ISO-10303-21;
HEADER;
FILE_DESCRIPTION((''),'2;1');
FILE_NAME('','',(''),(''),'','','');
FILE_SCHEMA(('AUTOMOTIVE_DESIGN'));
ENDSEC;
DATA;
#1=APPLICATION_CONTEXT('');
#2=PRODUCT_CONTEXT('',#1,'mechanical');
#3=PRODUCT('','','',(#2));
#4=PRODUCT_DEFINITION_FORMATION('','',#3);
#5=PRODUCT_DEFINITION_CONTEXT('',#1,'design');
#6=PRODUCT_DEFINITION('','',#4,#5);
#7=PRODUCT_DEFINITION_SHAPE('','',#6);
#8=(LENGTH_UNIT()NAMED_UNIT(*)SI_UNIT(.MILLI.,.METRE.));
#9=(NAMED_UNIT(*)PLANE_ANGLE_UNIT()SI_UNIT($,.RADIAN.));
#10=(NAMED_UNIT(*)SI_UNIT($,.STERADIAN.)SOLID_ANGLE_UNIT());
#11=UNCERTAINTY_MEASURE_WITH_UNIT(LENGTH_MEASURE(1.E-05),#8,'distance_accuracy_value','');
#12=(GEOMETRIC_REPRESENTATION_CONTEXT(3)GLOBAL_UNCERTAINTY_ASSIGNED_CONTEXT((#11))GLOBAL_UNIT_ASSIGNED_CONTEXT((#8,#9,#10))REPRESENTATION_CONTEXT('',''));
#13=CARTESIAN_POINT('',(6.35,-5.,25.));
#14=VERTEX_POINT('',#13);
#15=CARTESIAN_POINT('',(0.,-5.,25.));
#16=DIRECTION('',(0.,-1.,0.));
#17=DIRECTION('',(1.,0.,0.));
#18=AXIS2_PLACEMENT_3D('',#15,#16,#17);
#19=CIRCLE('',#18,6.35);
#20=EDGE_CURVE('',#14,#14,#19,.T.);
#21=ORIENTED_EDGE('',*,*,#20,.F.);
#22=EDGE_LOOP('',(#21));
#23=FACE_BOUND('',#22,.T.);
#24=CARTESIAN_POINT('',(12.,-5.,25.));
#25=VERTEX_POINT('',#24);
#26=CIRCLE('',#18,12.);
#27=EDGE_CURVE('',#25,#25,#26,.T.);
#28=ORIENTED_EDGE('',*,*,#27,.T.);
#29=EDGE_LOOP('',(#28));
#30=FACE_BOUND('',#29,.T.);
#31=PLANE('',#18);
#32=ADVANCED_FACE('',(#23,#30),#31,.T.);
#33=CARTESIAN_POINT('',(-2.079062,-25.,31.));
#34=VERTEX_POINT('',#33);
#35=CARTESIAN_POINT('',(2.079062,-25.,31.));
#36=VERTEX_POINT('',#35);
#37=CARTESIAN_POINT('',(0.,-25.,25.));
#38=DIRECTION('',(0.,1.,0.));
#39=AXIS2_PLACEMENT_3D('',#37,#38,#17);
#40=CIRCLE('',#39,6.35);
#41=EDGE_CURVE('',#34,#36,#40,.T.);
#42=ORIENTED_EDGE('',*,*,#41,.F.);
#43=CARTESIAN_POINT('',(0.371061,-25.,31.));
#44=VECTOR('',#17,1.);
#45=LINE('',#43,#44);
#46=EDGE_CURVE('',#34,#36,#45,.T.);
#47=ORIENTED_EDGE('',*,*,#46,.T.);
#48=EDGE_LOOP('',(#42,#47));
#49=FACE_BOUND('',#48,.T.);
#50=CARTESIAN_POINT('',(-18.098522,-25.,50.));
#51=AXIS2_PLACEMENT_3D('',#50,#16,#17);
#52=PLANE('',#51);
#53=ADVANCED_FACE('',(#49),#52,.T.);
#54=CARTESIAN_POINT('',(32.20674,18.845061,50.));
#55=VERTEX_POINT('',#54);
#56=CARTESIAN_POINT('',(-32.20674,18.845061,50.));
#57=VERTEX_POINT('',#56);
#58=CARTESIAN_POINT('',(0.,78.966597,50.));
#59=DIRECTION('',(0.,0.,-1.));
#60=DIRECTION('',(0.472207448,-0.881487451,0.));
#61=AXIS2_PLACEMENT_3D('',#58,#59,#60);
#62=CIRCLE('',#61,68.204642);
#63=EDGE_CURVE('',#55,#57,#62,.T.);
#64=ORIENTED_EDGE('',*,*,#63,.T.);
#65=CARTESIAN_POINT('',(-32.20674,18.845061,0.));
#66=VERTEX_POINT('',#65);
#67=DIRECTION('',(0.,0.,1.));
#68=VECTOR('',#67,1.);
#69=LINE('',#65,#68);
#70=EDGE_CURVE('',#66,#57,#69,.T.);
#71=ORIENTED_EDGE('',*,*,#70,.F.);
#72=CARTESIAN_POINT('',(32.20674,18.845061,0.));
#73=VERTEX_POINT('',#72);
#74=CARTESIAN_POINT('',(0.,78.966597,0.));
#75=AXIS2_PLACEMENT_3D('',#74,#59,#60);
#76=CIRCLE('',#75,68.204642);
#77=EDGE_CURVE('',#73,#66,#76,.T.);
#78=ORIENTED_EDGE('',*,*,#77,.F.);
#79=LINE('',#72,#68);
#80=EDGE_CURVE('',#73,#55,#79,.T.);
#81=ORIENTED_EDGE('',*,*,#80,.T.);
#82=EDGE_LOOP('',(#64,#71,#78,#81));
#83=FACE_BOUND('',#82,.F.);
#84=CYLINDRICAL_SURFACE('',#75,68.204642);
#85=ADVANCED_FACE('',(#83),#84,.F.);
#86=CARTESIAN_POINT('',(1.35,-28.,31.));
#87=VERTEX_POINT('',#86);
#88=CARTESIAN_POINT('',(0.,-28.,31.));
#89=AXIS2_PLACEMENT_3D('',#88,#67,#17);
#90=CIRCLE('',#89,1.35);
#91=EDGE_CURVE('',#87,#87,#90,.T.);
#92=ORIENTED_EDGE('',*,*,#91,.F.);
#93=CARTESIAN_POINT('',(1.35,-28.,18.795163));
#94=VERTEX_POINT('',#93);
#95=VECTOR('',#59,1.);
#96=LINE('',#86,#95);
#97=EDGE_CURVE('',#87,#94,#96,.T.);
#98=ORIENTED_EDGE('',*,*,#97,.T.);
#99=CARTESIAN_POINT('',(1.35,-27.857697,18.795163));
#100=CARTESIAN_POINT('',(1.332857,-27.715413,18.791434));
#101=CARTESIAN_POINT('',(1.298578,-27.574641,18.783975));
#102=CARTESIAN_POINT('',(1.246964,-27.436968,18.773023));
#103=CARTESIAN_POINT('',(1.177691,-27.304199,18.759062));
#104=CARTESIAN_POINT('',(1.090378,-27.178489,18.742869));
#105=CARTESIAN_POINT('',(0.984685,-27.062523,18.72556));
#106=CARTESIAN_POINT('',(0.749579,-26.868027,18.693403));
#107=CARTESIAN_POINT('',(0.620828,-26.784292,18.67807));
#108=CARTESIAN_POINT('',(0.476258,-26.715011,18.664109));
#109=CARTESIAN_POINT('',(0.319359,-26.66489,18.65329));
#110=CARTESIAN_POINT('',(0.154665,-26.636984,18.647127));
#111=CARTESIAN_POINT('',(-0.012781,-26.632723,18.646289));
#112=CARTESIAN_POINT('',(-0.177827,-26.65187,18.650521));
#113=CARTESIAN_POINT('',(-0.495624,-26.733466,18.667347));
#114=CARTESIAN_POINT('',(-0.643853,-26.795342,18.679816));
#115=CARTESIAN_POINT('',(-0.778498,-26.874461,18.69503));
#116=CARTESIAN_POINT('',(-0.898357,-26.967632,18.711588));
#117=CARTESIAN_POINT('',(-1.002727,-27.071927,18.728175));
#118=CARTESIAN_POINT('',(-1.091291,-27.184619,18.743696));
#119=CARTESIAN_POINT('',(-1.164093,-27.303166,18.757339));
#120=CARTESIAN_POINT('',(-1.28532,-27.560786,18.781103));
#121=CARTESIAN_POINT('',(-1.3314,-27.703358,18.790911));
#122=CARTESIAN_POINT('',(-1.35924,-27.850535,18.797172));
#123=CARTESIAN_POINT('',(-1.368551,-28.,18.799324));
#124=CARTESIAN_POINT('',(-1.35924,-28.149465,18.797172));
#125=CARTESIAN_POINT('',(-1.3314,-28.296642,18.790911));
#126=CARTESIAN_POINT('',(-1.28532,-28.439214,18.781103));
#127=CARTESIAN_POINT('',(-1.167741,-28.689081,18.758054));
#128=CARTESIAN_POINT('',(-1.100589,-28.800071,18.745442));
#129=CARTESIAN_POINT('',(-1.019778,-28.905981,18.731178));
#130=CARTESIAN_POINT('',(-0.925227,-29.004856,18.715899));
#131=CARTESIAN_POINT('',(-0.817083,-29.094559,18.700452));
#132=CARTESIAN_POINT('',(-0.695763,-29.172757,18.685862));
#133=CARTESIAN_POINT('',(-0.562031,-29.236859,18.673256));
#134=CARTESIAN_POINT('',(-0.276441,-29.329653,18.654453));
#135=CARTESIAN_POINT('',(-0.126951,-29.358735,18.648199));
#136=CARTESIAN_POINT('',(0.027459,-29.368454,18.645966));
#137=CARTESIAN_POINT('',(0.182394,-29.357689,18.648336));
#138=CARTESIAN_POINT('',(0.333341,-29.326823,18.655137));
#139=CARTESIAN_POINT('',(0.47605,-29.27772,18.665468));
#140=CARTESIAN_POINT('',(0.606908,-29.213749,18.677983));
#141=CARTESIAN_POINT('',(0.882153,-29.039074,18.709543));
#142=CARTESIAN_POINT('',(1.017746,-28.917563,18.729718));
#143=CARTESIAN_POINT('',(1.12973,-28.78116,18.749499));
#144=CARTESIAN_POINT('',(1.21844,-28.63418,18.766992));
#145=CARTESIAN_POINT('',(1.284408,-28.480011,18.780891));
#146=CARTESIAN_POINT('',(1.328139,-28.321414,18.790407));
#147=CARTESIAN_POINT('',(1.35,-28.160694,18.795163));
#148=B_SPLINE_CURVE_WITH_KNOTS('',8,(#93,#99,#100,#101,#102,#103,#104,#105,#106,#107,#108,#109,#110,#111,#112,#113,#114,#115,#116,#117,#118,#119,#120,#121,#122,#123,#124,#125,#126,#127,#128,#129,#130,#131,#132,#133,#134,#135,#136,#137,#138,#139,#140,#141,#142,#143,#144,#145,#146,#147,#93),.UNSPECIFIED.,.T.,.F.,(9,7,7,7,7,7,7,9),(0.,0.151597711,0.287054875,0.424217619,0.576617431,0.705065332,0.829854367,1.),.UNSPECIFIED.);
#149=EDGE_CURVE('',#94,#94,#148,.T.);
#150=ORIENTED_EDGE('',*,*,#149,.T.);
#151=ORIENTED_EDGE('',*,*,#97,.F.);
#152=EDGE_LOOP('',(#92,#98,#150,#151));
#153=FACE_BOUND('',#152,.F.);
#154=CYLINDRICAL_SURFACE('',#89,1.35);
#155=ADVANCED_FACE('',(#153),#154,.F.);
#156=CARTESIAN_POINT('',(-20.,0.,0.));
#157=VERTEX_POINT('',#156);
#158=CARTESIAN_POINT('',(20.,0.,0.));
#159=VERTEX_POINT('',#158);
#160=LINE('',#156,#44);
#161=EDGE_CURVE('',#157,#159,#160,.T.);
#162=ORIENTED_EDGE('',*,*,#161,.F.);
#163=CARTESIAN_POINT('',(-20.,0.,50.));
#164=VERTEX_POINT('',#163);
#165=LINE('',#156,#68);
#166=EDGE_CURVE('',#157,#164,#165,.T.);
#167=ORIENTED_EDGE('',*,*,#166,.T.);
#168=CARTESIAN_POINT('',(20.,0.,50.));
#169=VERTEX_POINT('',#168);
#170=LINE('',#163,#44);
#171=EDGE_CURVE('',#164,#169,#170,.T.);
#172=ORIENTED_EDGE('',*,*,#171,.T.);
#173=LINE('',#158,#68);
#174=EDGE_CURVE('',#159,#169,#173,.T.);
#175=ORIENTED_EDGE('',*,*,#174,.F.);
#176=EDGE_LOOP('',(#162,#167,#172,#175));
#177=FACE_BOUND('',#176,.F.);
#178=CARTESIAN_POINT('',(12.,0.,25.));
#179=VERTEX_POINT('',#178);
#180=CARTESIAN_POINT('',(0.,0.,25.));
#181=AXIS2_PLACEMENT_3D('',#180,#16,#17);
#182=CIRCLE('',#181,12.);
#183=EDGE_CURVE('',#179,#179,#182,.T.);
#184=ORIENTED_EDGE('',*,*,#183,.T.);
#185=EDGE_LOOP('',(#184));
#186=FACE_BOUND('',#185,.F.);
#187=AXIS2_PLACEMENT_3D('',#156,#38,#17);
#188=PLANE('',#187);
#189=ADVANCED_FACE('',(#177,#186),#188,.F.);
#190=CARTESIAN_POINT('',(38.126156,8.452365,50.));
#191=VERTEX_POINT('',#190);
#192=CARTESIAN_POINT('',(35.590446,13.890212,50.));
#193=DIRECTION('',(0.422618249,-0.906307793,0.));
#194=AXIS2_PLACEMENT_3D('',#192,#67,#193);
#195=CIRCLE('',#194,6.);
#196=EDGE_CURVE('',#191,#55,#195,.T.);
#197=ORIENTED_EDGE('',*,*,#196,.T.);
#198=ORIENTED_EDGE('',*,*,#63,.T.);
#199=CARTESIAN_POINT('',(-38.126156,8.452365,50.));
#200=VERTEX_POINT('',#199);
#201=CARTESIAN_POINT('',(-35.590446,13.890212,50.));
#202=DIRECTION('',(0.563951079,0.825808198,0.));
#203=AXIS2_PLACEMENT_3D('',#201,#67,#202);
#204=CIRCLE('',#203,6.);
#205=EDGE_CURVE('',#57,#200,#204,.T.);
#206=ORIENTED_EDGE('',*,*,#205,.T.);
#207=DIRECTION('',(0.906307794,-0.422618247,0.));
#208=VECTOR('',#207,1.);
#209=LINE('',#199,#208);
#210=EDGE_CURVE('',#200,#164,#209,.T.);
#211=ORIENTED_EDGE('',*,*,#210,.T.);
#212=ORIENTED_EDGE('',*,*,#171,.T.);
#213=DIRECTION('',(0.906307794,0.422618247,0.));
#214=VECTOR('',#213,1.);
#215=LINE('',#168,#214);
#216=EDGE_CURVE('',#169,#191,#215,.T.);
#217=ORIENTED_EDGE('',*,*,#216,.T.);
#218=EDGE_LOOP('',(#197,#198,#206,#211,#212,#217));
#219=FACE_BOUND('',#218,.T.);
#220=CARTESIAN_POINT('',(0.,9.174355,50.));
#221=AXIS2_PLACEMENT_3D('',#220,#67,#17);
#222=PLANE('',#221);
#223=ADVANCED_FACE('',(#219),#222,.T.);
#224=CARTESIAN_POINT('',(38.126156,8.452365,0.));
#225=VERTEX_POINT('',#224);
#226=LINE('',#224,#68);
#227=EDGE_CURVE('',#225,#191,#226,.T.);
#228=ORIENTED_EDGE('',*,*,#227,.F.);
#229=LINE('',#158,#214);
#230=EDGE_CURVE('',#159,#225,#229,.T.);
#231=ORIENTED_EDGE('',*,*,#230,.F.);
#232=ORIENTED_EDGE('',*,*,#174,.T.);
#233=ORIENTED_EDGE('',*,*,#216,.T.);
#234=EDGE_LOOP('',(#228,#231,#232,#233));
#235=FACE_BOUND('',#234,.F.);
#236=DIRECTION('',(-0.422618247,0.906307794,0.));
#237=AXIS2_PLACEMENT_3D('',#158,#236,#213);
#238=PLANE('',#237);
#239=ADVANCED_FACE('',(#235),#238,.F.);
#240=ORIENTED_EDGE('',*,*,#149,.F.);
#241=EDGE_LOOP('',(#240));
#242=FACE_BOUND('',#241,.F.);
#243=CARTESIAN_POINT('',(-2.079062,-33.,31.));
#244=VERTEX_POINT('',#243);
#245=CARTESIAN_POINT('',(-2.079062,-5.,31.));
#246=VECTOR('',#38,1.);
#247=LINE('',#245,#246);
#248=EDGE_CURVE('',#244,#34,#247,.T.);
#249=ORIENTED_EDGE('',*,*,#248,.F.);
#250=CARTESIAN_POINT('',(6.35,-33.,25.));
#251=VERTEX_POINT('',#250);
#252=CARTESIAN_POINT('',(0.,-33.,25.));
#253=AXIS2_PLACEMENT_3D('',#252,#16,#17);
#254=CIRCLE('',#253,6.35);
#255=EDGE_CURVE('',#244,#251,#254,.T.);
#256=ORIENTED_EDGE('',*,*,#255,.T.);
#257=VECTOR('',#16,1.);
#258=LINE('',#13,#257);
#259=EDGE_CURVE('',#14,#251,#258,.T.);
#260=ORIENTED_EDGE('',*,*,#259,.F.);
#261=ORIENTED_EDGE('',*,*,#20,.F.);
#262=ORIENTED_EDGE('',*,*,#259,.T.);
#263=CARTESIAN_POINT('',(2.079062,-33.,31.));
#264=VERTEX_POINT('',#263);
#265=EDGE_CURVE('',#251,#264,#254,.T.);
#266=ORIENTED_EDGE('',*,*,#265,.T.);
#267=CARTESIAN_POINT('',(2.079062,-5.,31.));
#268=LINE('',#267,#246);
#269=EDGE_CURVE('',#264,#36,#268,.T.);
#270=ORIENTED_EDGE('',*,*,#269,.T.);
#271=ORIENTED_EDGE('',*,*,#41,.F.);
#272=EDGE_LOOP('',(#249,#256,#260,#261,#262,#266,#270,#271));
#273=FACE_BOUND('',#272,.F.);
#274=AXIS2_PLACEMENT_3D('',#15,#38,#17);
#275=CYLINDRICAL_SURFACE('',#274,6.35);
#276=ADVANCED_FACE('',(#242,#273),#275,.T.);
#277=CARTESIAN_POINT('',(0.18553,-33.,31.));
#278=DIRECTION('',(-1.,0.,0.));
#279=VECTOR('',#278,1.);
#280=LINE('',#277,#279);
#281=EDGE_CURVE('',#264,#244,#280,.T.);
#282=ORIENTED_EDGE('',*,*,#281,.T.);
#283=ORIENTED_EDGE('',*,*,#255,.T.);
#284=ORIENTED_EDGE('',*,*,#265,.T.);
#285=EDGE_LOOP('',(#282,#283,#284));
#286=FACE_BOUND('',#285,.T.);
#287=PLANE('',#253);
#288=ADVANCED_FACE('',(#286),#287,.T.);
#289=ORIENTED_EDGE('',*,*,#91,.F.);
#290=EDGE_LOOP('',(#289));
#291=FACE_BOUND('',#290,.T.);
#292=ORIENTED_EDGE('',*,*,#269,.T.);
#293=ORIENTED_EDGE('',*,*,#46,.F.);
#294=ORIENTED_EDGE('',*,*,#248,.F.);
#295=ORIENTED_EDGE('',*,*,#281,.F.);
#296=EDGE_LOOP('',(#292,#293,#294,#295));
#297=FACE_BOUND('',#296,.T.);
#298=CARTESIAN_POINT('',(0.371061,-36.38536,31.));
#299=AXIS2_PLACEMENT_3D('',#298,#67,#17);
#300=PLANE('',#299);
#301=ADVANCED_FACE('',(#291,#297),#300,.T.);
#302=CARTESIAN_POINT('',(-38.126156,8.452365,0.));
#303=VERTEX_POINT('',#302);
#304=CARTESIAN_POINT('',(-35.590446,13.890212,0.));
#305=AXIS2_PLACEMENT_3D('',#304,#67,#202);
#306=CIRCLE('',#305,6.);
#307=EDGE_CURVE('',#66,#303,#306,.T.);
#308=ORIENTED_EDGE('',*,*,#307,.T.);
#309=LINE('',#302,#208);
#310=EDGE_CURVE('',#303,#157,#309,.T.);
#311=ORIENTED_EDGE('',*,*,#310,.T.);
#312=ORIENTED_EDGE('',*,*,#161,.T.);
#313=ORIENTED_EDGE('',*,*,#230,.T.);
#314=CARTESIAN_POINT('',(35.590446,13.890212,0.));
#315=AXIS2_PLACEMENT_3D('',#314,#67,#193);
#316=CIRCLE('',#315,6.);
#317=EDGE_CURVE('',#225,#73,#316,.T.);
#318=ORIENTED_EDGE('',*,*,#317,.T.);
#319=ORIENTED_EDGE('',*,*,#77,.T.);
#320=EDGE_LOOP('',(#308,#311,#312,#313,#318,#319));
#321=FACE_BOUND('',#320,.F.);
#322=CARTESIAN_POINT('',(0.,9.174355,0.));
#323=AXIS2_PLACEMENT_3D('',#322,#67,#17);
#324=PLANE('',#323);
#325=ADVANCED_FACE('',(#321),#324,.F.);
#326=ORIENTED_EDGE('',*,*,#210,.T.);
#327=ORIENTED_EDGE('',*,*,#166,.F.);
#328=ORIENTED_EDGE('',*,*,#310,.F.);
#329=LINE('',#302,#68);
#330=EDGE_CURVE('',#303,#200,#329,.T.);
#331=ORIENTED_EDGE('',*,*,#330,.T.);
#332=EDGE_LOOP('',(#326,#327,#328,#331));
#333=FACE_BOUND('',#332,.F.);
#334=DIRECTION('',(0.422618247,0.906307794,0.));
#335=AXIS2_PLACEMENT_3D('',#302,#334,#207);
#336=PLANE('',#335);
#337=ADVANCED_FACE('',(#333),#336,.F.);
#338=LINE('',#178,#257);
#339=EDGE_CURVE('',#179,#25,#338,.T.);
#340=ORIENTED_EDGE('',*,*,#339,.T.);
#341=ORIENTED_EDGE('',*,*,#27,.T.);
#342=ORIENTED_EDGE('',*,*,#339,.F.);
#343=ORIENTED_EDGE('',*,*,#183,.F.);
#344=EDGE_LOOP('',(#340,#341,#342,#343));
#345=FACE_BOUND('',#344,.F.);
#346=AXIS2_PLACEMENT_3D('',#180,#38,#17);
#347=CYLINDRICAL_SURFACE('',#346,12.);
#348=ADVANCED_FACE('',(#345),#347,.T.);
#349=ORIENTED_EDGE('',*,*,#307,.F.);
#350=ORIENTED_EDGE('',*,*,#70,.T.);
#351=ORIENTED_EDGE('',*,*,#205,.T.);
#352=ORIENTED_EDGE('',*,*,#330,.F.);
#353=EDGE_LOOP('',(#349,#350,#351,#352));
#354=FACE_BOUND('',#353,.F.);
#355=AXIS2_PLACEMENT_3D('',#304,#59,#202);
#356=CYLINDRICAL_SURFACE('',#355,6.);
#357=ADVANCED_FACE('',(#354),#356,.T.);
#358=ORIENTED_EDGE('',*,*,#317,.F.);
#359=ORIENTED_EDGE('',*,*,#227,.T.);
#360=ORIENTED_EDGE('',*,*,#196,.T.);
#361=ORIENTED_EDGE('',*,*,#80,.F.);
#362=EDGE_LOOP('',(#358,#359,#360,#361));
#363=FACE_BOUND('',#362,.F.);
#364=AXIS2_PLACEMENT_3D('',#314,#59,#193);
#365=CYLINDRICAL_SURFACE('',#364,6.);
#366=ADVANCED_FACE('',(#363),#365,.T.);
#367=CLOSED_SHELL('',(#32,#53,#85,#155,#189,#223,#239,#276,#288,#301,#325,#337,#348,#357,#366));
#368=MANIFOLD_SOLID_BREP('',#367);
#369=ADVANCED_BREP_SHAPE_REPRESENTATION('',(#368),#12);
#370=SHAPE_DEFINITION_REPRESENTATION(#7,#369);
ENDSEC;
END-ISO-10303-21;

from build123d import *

# Parameters (mm, degrees)
F1_DEPTH = 50
F2_R     = 12
F3_DEPTH = 5
F4_R     = 6.35
F5_DEPTH = 28
F6_W     = 36.939165
F6_H     = 22.77072
F7_DEPTH = 19
F8_R     = 1.35
F9_DEPTH = 31.001


with BuildPart() as f1:
    # F0 (on Top) → F1 (new body)
    with BuildSketch(Plane.XY):
        with BuildLine():
            Line((-38.126156, 8.452365), (-20, 0))
            Line((-20, 0), (20, 0))
            Line((20, 0), (38.126156, 8.452365))
            ThreePointArc((38.126156, 8.452365), (40.804064, 16.859756), (32.20674, 18.845061))
            ThreePointArc((32.20674, 18.845061), (0, 10.761955), (-32.20674, 18.845061))
            ThreePointArc((-32.20674, 18.845061), (-40.804064, 16.859756), (-38.126156, 8.452365))
        make_face()
    extrude(amount=F1_DEPTH)

    # F2 (on face) → F3 (join)
    with BuildSketch(Plane.XZ):
        with Locations((0, 25)):
            Circle(F2_R)
    extrude(amount=F3_DEPTH)

    # F4 (on face) → F5 (join)
    with BuildSketch(Plane.XZ.offset(5)):
        with Locations((0, 25)):
            Circle(F4_R)
    extrude(amount=F5_DEPTH)

    # F6 (on face) → F7 (cut)
    with BuildSketch(Plane.XY.offset(50)):
        with Locations((0.371061, -36.38536)):
            Rectangle(F6_W, F6_H)
    extrude(amount=-F7_DEPTH, mode=Mode.SUBTRACT)

    # F8 (on face) → F9 (cut, through all)
    with BuildSketch(Plane.XY.offset(31)):
        with Locations((0, -28)):
            Circle(F8_R)
    extrude(amount=-F9_DEPTH, mode=Mode.SUBTRACT)


solid = f1.part
